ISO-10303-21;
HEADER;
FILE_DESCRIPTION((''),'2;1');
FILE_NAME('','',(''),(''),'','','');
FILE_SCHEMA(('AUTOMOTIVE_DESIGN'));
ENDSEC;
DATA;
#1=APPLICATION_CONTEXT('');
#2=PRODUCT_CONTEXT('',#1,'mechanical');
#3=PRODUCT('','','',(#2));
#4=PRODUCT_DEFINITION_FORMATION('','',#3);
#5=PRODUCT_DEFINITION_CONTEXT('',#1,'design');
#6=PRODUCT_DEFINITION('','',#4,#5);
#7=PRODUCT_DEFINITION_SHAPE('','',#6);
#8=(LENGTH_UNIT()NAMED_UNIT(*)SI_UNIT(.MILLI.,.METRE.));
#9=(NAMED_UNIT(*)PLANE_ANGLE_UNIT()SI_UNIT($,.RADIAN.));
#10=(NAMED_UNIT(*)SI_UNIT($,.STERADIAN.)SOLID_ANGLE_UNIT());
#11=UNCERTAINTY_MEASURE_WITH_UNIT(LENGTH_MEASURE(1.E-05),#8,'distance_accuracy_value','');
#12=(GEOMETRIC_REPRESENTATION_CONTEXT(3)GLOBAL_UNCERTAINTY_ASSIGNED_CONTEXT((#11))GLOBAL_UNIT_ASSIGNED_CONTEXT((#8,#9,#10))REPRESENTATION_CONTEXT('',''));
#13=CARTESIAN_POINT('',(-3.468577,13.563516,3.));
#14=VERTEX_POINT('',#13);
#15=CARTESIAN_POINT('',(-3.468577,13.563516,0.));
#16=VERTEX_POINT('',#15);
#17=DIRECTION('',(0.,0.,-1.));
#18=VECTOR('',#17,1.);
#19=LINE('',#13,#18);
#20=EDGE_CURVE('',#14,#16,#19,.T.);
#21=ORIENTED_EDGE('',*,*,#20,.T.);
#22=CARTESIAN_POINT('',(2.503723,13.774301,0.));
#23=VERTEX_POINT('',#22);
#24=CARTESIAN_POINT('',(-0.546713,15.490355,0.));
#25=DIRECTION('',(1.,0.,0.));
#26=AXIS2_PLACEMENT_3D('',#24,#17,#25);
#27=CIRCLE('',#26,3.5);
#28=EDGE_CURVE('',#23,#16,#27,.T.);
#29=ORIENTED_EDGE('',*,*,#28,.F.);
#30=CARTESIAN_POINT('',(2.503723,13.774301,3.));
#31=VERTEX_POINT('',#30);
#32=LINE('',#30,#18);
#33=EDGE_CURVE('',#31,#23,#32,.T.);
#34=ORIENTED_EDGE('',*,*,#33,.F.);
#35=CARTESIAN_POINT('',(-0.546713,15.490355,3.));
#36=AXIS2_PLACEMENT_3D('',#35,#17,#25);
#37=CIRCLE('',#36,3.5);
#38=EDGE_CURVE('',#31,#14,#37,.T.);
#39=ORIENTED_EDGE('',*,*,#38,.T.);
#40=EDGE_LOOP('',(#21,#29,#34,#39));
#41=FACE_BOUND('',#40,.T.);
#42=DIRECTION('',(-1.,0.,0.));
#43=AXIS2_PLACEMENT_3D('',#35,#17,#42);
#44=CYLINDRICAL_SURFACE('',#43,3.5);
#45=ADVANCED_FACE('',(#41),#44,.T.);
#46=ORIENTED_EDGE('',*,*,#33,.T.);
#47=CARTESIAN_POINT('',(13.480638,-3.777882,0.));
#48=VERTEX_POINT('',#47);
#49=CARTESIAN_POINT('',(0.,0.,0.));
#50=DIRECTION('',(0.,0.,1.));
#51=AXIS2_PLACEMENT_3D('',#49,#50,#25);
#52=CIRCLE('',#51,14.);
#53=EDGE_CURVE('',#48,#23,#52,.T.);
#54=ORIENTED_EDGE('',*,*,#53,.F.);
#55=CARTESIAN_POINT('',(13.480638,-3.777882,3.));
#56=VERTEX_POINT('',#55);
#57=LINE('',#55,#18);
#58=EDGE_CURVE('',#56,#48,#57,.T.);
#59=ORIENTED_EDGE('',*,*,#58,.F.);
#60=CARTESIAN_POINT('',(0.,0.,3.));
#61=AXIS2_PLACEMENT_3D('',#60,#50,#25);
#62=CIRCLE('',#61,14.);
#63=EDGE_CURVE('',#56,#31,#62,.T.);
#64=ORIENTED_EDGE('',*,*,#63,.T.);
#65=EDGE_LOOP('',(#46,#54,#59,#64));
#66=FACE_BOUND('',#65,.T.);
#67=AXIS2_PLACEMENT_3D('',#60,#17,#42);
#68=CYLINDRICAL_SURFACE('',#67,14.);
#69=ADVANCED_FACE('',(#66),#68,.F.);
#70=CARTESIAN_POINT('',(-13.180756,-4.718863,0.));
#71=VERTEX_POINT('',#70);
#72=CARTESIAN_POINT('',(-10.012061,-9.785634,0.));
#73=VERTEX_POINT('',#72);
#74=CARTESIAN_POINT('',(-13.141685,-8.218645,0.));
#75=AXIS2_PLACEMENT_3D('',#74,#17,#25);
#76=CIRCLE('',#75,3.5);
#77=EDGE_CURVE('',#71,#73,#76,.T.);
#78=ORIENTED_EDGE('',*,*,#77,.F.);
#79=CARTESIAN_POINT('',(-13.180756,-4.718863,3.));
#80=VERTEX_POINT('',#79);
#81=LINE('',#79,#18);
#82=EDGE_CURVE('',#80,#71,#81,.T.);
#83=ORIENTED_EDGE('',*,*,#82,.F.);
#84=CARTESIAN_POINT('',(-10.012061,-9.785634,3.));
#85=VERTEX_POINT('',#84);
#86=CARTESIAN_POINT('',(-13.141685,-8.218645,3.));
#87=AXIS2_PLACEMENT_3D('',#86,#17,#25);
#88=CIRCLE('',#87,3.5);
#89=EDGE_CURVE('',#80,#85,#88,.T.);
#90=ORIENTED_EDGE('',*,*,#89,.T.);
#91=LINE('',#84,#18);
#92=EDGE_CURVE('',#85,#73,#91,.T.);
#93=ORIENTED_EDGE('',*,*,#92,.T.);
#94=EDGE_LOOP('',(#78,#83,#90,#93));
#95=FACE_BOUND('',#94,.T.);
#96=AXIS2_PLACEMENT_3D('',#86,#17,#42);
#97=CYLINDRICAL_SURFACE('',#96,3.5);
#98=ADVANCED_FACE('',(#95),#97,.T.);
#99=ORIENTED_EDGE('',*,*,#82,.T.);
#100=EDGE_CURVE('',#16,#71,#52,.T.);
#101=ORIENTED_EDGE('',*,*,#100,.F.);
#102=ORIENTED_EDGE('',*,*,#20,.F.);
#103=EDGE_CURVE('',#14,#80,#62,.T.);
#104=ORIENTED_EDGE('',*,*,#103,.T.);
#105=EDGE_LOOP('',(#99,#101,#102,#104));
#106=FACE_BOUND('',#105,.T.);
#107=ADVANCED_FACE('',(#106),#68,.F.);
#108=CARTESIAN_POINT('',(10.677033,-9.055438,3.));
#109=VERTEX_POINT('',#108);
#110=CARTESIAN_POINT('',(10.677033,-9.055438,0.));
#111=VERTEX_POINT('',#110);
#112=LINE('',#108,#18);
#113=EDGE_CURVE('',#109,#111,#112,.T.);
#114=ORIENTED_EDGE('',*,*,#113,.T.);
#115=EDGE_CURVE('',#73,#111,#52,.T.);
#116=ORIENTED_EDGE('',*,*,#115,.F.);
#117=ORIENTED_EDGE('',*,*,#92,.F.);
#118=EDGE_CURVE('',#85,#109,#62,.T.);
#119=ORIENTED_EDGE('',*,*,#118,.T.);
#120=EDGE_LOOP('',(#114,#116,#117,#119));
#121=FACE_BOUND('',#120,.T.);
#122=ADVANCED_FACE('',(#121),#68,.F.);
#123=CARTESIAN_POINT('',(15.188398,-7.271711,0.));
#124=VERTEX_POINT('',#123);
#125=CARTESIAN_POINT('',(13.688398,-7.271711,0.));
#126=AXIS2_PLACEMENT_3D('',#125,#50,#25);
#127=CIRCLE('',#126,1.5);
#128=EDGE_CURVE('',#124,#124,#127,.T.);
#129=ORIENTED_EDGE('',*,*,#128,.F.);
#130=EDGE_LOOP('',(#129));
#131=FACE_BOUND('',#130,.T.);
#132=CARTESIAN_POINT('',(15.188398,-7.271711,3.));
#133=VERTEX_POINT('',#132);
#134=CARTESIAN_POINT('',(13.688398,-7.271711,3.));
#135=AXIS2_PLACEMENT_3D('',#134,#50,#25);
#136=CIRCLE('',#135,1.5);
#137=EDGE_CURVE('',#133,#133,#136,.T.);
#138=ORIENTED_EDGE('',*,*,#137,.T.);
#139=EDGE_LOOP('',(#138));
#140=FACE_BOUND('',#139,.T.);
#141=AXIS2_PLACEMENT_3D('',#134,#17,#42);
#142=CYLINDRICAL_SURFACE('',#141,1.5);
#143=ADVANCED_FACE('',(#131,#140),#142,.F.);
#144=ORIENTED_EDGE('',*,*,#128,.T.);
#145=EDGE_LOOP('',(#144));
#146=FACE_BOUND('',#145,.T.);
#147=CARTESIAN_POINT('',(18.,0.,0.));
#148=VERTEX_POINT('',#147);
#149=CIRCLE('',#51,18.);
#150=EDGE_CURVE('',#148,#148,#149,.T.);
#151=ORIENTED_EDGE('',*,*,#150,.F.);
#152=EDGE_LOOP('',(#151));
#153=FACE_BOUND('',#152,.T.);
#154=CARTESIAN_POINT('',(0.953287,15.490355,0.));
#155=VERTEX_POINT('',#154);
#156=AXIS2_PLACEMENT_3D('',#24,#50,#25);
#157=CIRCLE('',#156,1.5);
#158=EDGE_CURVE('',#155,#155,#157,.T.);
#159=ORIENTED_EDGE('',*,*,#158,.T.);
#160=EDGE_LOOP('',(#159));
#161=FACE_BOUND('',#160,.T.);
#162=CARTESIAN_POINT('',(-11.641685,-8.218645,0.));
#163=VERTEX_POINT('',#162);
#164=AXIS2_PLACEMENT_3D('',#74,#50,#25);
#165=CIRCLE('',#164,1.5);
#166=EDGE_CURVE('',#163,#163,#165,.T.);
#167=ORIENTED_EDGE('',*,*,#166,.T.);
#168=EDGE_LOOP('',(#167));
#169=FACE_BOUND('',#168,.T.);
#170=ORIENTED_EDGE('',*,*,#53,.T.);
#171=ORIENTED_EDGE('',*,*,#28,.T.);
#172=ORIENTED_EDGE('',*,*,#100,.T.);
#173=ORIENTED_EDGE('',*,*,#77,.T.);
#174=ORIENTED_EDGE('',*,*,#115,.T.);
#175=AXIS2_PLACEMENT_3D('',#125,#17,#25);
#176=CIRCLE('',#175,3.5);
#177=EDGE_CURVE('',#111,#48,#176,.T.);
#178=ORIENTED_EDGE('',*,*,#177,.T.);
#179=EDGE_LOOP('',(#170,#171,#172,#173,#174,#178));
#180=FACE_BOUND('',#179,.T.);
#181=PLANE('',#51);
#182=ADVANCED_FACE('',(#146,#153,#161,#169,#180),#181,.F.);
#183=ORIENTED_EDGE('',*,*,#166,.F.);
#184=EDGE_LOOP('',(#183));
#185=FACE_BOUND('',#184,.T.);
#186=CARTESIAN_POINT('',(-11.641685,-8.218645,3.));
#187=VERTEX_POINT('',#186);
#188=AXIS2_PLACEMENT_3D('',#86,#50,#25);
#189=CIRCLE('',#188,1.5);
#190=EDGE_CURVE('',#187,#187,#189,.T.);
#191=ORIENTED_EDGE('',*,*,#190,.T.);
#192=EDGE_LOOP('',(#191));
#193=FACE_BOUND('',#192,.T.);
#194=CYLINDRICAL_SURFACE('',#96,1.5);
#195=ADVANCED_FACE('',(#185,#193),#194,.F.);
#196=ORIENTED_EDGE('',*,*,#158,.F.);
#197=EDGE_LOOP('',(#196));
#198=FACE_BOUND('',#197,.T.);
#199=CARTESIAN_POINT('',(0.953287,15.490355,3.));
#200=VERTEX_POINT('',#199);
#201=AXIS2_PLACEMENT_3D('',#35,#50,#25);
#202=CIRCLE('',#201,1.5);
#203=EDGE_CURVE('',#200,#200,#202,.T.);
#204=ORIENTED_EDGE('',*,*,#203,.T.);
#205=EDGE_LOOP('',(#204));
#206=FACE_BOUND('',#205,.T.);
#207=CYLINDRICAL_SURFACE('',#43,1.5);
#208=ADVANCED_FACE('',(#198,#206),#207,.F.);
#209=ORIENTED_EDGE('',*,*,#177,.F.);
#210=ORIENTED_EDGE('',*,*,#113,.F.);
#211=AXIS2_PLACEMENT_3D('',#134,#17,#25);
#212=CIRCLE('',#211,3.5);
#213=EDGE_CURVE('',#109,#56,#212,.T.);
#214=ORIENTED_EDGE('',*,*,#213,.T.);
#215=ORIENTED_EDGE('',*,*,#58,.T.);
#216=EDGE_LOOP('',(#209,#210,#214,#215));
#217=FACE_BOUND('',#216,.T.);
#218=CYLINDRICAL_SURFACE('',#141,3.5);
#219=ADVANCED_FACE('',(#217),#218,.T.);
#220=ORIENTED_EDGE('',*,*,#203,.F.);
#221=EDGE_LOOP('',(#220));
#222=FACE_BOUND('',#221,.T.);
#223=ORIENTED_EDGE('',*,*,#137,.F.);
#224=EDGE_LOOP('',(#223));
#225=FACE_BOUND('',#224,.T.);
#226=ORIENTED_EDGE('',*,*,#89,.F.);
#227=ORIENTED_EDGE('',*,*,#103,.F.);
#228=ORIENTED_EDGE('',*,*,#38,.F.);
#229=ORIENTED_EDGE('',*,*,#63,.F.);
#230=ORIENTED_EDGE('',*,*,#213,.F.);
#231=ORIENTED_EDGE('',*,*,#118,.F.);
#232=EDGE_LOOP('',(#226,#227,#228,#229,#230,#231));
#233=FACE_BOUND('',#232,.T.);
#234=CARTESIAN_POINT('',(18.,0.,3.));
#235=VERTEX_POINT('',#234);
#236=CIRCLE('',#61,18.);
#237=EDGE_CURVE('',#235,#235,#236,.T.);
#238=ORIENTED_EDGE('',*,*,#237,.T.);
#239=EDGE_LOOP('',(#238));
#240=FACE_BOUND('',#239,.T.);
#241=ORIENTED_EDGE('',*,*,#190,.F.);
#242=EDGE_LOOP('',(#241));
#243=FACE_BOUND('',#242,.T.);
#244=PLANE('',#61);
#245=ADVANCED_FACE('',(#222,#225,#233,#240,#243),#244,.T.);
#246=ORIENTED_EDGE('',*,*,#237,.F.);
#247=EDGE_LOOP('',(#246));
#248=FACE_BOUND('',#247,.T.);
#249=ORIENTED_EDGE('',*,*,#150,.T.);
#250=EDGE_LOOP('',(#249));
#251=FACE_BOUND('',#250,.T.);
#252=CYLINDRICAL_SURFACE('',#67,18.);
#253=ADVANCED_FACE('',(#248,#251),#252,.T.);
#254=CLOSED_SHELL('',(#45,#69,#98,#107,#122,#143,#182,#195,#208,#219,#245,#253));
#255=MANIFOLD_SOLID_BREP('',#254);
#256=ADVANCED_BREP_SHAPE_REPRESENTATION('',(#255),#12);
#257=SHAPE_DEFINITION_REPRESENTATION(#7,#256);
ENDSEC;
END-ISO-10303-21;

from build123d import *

# Parameters (mm, degrees)
ESQUISSE1_R        = 18
ESQUISSE1_R_2      = 1.5
BOSS_EXTRU_2_DEPTH = 3


with BuildPart() as part:
    # Esquisse1 → Boss.-Extru.2 (new body)
    with BuildSketch(Plane.XY):
        Circle(ESQUISSE1_R)
        with Locations((-0.546712729, 15.490355231)):
            Circle(ESQUISSE1_R_2, mode=Mode.SUBTRACT)
        with Locations((-13.14168478, -8.218644727)):
            Circle(ESQUISSE1_R_2, mode=Mode.SUBTRACT)
        with Locations((13.688397508, -7.271710504)):
            Circle(ESQUISSE1_R_2, mode=Mode.SUBTRACT)
        with BuildLine():
            ThreePointArc((-3.468577117, 13.56351624), (-0.423261467, 11.992533082), (2.503723019, 13.774301109))
            ThreePointArc((2.503723019, 13.774301109), (11.869908833, 7.423292012), (13.480638187, -3.777882222))
            ThreePointArc((13.480638187, -3.777882222), (10.597469039, -5.629711358), (10.677033171, -9.055438293))
            ThreePointArc((10.677033171, -9.055438293), (0.493805045, -13.991288596), (-10.01206107, -9.785634018))
            ThreePointArc((-10.01206107, -9.785634018), (-10.174207571, -6.362821724), (-13.180756189, -4.718862816))
            ThreePointArc((-13.180756189, -4.718862816), (-12.363713879, 6.567996584), (-3.468577117, 13.56351624))
        make_face(mode=Mode.SUBTRACT)
    extrude(amount=BOSS_EXTRU_2_DEPTH)


solid = part.part
